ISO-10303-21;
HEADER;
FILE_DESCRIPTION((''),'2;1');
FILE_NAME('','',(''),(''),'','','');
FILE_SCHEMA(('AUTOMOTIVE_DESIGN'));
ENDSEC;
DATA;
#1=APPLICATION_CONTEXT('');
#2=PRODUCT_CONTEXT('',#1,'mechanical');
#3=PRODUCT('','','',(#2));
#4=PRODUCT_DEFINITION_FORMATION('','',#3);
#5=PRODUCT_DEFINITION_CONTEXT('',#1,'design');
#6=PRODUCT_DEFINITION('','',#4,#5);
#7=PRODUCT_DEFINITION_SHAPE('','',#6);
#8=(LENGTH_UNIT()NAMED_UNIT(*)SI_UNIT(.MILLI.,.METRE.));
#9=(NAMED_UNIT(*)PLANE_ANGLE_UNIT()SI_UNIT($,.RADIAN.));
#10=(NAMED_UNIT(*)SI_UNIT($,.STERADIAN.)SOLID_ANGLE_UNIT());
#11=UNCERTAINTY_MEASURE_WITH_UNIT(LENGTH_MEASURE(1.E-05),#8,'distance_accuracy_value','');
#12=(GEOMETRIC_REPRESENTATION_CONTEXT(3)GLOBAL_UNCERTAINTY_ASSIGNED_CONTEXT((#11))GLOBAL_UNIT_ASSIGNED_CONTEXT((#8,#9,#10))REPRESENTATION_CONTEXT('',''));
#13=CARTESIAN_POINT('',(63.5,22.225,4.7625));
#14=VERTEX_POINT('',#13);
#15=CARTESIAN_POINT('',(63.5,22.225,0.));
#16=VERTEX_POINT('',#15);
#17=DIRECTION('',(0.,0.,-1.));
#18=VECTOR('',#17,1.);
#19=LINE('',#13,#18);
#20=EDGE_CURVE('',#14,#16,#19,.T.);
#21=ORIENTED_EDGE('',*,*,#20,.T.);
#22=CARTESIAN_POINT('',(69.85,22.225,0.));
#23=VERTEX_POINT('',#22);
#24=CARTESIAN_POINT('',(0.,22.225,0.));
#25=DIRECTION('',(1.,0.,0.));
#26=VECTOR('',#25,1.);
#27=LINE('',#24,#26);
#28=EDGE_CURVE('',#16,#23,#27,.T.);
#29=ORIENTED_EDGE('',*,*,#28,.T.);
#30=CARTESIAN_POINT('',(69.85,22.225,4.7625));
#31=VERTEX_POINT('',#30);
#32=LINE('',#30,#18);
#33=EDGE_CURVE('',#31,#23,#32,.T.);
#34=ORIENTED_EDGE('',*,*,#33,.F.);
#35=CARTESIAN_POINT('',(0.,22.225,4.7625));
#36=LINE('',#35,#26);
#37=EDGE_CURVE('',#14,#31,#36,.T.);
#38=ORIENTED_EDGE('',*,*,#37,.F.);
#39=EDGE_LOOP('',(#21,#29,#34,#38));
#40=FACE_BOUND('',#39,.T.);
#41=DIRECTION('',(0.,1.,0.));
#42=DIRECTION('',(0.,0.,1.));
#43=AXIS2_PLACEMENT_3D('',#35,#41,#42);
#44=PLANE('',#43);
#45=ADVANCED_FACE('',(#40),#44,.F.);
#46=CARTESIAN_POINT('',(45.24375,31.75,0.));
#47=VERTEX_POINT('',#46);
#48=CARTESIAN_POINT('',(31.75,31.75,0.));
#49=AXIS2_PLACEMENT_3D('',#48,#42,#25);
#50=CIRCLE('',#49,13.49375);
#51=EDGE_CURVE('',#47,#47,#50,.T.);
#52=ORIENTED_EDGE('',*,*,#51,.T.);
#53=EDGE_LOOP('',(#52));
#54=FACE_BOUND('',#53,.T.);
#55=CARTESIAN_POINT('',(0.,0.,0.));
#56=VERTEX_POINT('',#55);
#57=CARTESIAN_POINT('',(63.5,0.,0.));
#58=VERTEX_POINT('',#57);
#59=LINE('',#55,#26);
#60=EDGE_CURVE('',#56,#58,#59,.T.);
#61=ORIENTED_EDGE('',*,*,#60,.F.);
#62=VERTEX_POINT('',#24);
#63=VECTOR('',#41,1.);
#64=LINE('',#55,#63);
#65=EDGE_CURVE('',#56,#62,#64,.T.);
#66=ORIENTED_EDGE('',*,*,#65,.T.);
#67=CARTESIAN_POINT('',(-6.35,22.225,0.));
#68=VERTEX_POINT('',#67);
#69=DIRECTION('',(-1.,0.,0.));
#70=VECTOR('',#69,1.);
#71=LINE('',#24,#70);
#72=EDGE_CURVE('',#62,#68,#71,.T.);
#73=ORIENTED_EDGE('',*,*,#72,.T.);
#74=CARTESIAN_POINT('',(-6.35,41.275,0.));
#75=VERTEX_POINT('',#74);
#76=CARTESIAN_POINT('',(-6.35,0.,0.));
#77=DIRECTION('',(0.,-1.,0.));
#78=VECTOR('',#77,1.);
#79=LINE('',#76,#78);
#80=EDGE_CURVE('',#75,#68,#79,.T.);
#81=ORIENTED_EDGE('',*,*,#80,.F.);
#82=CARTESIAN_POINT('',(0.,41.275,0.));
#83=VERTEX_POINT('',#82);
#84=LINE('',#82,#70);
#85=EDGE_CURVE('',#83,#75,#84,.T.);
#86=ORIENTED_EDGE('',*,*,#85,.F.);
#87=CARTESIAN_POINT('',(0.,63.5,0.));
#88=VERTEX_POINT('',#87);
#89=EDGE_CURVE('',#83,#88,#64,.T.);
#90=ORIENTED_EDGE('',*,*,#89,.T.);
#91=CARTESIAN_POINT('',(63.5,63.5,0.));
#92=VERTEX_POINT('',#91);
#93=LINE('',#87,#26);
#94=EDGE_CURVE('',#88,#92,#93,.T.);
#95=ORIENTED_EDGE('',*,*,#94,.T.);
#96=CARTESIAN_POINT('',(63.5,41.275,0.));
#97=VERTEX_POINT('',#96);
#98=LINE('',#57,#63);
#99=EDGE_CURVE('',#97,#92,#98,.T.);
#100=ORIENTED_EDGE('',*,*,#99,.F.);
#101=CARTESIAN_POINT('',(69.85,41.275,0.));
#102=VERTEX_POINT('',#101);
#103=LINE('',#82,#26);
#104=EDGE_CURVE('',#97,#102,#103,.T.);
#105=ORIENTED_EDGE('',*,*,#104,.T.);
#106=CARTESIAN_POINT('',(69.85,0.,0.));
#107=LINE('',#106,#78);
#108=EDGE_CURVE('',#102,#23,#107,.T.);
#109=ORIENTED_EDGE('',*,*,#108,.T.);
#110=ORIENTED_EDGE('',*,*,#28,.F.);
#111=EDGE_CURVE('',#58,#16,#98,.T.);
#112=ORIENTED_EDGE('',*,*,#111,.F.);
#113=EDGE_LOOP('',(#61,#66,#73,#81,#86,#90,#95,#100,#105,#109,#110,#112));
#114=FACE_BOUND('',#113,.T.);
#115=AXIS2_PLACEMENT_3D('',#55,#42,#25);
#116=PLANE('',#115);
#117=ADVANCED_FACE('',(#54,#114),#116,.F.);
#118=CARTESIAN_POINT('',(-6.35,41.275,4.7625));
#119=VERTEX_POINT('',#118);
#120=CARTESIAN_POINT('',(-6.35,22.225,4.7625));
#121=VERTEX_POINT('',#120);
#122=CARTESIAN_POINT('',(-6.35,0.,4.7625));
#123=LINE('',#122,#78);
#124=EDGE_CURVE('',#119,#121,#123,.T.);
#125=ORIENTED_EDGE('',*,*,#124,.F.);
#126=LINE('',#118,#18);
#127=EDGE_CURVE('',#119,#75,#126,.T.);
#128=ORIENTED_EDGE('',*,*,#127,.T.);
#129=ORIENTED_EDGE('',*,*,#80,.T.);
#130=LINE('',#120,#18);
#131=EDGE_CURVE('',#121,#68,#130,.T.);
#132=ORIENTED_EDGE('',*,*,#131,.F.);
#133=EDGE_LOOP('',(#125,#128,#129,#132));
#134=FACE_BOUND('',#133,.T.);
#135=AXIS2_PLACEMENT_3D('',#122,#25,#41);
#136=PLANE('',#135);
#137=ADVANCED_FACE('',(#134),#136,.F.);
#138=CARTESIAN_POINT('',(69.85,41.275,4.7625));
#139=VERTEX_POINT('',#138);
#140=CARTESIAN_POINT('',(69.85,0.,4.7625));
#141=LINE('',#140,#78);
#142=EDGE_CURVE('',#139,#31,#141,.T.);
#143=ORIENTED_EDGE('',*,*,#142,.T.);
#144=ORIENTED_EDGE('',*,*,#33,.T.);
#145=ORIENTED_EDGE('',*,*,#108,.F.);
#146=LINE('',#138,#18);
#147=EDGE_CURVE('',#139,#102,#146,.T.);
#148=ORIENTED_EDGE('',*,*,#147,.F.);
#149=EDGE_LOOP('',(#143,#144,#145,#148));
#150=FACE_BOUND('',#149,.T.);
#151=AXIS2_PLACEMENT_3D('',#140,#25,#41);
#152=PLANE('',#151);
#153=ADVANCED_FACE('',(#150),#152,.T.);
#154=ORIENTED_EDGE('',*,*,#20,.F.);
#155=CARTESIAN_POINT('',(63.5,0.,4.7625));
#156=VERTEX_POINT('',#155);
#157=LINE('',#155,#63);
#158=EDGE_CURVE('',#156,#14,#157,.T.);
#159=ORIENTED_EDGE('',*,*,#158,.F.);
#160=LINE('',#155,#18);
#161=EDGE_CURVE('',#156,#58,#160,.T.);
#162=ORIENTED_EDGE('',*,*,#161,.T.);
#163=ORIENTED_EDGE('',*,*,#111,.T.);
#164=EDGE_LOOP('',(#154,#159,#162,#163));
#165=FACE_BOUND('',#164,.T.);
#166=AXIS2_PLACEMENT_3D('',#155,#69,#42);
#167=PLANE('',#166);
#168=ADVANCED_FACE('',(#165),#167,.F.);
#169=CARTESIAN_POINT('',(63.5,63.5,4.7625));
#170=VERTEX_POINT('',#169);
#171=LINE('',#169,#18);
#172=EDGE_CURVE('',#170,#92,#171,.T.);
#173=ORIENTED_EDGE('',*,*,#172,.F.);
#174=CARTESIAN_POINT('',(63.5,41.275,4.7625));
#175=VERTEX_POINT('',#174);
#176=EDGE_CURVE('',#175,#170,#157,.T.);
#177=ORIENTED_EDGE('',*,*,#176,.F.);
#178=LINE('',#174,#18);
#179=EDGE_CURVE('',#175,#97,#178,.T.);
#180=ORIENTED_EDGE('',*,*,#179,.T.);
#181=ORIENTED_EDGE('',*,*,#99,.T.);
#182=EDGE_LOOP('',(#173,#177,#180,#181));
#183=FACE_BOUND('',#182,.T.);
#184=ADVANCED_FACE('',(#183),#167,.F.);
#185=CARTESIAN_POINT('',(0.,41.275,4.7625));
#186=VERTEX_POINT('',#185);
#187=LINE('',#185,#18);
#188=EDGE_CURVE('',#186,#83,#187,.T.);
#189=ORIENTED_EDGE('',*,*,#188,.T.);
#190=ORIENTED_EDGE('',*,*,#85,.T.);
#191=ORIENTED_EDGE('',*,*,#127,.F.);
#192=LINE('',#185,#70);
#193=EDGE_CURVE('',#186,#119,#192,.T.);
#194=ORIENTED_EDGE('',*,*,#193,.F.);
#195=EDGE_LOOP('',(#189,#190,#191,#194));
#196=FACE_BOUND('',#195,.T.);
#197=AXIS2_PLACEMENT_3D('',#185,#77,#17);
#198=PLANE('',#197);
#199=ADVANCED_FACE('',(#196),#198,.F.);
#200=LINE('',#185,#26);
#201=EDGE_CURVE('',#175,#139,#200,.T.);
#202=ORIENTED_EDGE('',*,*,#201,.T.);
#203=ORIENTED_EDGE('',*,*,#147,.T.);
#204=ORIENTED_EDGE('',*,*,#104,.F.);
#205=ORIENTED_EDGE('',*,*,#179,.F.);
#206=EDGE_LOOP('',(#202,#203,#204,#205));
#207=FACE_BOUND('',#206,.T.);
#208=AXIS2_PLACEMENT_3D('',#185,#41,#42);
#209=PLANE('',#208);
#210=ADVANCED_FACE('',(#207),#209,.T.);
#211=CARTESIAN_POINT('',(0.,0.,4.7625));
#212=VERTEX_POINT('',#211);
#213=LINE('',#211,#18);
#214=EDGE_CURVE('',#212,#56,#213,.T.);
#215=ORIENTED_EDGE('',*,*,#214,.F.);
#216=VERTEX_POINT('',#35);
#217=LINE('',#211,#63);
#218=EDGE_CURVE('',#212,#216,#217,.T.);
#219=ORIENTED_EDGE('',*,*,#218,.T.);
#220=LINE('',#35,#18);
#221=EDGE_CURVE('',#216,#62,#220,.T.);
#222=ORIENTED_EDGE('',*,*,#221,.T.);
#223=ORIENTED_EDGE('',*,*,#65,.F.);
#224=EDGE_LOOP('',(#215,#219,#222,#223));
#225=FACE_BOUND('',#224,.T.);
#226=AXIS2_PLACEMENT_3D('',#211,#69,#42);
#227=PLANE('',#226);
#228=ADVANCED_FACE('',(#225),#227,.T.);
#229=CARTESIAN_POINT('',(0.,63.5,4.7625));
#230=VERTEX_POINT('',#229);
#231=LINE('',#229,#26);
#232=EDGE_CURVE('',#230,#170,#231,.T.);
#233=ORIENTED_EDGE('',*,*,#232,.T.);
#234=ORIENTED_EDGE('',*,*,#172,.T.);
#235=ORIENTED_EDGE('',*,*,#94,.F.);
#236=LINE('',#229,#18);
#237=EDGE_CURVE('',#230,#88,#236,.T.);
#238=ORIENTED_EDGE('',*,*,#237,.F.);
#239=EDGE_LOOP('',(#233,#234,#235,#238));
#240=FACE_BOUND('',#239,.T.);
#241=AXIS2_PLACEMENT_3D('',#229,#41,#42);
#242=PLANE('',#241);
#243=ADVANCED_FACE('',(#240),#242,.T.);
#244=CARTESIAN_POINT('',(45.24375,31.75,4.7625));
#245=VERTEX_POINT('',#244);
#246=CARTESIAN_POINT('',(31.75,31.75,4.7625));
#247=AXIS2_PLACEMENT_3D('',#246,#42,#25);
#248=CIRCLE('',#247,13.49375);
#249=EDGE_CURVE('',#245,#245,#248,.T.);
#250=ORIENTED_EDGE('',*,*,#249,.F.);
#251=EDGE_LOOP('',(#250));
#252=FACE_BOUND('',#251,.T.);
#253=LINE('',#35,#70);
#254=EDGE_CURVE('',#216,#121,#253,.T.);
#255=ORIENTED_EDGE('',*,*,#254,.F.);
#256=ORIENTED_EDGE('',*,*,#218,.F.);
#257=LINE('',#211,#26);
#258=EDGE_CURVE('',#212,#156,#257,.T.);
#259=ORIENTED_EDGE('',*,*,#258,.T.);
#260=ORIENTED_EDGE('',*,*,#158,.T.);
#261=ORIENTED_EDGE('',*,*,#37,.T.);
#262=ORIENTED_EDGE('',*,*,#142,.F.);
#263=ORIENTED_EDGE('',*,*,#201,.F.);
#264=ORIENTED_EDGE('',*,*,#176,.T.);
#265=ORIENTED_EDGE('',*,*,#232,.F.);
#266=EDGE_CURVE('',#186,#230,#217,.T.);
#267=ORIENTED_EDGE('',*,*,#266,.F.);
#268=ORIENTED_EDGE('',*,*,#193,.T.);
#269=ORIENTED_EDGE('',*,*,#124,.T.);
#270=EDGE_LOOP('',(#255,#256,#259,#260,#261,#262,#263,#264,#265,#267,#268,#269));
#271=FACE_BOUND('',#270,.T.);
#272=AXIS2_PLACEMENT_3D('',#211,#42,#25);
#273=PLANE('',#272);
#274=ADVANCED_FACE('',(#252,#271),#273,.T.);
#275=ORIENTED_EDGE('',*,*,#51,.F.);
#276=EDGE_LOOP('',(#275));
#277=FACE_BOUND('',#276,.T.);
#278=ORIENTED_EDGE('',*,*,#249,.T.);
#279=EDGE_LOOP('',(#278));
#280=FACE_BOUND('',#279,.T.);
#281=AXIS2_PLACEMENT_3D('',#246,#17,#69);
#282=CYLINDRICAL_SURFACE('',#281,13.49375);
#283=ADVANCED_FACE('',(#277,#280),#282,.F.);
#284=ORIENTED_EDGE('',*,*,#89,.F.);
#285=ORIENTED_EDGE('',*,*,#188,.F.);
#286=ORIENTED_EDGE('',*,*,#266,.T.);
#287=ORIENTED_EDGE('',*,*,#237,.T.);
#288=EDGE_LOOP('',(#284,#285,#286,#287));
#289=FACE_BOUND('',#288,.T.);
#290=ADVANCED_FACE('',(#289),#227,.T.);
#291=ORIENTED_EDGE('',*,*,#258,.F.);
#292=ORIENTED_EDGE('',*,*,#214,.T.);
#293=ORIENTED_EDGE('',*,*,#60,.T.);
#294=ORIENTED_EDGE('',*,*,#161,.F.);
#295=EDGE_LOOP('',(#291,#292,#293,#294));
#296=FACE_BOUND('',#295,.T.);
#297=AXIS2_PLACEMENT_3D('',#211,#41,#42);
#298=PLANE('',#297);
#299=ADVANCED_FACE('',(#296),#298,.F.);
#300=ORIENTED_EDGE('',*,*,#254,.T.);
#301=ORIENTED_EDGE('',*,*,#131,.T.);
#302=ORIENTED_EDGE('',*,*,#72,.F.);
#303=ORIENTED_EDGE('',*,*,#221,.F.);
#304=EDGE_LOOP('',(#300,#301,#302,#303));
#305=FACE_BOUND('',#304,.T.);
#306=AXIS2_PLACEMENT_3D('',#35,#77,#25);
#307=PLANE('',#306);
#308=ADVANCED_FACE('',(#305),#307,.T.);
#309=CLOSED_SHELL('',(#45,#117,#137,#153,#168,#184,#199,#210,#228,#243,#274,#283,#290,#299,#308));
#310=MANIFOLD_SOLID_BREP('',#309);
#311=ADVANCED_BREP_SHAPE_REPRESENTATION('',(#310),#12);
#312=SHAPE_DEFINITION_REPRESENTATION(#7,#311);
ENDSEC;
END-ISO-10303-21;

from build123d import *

# Parameters (mm, degrees)
SKETCH1_W           = 63.5
SKETCH1_H           = 63.5
SKETCH1_R           = 13.49375
SKETCH1_W_2         = 6.35
SKETCH1_H_2         = 19.05
BOSS_EXTRUDE1_DEPTH = 4.7625


with BuildPart() as part:
    # Sketch1 → Boss-Extrude1 (new body)
    with BuildSketch(Plane.XY):
        with Locations((31.75, 31.75)):
            Rectangle(SKETCH1_W, SKETCH1_H)
        with Locations((31.75, 31.75)):
            Circle(SKETCH1_R, mode=Mode.SUBTRACT)
        with Locations((-3.175, 31.75)):
            Rectangle(SKETCH1_W_2, SKETCH1_H_2)
        with Locations((66.675, 31.75)):
            Rectangle(SKETCH1_W_2, SKETCH1_H_2)
    extrude(amount=BOSS_EXTRUDE1_DEPTH)


solid = part.part
